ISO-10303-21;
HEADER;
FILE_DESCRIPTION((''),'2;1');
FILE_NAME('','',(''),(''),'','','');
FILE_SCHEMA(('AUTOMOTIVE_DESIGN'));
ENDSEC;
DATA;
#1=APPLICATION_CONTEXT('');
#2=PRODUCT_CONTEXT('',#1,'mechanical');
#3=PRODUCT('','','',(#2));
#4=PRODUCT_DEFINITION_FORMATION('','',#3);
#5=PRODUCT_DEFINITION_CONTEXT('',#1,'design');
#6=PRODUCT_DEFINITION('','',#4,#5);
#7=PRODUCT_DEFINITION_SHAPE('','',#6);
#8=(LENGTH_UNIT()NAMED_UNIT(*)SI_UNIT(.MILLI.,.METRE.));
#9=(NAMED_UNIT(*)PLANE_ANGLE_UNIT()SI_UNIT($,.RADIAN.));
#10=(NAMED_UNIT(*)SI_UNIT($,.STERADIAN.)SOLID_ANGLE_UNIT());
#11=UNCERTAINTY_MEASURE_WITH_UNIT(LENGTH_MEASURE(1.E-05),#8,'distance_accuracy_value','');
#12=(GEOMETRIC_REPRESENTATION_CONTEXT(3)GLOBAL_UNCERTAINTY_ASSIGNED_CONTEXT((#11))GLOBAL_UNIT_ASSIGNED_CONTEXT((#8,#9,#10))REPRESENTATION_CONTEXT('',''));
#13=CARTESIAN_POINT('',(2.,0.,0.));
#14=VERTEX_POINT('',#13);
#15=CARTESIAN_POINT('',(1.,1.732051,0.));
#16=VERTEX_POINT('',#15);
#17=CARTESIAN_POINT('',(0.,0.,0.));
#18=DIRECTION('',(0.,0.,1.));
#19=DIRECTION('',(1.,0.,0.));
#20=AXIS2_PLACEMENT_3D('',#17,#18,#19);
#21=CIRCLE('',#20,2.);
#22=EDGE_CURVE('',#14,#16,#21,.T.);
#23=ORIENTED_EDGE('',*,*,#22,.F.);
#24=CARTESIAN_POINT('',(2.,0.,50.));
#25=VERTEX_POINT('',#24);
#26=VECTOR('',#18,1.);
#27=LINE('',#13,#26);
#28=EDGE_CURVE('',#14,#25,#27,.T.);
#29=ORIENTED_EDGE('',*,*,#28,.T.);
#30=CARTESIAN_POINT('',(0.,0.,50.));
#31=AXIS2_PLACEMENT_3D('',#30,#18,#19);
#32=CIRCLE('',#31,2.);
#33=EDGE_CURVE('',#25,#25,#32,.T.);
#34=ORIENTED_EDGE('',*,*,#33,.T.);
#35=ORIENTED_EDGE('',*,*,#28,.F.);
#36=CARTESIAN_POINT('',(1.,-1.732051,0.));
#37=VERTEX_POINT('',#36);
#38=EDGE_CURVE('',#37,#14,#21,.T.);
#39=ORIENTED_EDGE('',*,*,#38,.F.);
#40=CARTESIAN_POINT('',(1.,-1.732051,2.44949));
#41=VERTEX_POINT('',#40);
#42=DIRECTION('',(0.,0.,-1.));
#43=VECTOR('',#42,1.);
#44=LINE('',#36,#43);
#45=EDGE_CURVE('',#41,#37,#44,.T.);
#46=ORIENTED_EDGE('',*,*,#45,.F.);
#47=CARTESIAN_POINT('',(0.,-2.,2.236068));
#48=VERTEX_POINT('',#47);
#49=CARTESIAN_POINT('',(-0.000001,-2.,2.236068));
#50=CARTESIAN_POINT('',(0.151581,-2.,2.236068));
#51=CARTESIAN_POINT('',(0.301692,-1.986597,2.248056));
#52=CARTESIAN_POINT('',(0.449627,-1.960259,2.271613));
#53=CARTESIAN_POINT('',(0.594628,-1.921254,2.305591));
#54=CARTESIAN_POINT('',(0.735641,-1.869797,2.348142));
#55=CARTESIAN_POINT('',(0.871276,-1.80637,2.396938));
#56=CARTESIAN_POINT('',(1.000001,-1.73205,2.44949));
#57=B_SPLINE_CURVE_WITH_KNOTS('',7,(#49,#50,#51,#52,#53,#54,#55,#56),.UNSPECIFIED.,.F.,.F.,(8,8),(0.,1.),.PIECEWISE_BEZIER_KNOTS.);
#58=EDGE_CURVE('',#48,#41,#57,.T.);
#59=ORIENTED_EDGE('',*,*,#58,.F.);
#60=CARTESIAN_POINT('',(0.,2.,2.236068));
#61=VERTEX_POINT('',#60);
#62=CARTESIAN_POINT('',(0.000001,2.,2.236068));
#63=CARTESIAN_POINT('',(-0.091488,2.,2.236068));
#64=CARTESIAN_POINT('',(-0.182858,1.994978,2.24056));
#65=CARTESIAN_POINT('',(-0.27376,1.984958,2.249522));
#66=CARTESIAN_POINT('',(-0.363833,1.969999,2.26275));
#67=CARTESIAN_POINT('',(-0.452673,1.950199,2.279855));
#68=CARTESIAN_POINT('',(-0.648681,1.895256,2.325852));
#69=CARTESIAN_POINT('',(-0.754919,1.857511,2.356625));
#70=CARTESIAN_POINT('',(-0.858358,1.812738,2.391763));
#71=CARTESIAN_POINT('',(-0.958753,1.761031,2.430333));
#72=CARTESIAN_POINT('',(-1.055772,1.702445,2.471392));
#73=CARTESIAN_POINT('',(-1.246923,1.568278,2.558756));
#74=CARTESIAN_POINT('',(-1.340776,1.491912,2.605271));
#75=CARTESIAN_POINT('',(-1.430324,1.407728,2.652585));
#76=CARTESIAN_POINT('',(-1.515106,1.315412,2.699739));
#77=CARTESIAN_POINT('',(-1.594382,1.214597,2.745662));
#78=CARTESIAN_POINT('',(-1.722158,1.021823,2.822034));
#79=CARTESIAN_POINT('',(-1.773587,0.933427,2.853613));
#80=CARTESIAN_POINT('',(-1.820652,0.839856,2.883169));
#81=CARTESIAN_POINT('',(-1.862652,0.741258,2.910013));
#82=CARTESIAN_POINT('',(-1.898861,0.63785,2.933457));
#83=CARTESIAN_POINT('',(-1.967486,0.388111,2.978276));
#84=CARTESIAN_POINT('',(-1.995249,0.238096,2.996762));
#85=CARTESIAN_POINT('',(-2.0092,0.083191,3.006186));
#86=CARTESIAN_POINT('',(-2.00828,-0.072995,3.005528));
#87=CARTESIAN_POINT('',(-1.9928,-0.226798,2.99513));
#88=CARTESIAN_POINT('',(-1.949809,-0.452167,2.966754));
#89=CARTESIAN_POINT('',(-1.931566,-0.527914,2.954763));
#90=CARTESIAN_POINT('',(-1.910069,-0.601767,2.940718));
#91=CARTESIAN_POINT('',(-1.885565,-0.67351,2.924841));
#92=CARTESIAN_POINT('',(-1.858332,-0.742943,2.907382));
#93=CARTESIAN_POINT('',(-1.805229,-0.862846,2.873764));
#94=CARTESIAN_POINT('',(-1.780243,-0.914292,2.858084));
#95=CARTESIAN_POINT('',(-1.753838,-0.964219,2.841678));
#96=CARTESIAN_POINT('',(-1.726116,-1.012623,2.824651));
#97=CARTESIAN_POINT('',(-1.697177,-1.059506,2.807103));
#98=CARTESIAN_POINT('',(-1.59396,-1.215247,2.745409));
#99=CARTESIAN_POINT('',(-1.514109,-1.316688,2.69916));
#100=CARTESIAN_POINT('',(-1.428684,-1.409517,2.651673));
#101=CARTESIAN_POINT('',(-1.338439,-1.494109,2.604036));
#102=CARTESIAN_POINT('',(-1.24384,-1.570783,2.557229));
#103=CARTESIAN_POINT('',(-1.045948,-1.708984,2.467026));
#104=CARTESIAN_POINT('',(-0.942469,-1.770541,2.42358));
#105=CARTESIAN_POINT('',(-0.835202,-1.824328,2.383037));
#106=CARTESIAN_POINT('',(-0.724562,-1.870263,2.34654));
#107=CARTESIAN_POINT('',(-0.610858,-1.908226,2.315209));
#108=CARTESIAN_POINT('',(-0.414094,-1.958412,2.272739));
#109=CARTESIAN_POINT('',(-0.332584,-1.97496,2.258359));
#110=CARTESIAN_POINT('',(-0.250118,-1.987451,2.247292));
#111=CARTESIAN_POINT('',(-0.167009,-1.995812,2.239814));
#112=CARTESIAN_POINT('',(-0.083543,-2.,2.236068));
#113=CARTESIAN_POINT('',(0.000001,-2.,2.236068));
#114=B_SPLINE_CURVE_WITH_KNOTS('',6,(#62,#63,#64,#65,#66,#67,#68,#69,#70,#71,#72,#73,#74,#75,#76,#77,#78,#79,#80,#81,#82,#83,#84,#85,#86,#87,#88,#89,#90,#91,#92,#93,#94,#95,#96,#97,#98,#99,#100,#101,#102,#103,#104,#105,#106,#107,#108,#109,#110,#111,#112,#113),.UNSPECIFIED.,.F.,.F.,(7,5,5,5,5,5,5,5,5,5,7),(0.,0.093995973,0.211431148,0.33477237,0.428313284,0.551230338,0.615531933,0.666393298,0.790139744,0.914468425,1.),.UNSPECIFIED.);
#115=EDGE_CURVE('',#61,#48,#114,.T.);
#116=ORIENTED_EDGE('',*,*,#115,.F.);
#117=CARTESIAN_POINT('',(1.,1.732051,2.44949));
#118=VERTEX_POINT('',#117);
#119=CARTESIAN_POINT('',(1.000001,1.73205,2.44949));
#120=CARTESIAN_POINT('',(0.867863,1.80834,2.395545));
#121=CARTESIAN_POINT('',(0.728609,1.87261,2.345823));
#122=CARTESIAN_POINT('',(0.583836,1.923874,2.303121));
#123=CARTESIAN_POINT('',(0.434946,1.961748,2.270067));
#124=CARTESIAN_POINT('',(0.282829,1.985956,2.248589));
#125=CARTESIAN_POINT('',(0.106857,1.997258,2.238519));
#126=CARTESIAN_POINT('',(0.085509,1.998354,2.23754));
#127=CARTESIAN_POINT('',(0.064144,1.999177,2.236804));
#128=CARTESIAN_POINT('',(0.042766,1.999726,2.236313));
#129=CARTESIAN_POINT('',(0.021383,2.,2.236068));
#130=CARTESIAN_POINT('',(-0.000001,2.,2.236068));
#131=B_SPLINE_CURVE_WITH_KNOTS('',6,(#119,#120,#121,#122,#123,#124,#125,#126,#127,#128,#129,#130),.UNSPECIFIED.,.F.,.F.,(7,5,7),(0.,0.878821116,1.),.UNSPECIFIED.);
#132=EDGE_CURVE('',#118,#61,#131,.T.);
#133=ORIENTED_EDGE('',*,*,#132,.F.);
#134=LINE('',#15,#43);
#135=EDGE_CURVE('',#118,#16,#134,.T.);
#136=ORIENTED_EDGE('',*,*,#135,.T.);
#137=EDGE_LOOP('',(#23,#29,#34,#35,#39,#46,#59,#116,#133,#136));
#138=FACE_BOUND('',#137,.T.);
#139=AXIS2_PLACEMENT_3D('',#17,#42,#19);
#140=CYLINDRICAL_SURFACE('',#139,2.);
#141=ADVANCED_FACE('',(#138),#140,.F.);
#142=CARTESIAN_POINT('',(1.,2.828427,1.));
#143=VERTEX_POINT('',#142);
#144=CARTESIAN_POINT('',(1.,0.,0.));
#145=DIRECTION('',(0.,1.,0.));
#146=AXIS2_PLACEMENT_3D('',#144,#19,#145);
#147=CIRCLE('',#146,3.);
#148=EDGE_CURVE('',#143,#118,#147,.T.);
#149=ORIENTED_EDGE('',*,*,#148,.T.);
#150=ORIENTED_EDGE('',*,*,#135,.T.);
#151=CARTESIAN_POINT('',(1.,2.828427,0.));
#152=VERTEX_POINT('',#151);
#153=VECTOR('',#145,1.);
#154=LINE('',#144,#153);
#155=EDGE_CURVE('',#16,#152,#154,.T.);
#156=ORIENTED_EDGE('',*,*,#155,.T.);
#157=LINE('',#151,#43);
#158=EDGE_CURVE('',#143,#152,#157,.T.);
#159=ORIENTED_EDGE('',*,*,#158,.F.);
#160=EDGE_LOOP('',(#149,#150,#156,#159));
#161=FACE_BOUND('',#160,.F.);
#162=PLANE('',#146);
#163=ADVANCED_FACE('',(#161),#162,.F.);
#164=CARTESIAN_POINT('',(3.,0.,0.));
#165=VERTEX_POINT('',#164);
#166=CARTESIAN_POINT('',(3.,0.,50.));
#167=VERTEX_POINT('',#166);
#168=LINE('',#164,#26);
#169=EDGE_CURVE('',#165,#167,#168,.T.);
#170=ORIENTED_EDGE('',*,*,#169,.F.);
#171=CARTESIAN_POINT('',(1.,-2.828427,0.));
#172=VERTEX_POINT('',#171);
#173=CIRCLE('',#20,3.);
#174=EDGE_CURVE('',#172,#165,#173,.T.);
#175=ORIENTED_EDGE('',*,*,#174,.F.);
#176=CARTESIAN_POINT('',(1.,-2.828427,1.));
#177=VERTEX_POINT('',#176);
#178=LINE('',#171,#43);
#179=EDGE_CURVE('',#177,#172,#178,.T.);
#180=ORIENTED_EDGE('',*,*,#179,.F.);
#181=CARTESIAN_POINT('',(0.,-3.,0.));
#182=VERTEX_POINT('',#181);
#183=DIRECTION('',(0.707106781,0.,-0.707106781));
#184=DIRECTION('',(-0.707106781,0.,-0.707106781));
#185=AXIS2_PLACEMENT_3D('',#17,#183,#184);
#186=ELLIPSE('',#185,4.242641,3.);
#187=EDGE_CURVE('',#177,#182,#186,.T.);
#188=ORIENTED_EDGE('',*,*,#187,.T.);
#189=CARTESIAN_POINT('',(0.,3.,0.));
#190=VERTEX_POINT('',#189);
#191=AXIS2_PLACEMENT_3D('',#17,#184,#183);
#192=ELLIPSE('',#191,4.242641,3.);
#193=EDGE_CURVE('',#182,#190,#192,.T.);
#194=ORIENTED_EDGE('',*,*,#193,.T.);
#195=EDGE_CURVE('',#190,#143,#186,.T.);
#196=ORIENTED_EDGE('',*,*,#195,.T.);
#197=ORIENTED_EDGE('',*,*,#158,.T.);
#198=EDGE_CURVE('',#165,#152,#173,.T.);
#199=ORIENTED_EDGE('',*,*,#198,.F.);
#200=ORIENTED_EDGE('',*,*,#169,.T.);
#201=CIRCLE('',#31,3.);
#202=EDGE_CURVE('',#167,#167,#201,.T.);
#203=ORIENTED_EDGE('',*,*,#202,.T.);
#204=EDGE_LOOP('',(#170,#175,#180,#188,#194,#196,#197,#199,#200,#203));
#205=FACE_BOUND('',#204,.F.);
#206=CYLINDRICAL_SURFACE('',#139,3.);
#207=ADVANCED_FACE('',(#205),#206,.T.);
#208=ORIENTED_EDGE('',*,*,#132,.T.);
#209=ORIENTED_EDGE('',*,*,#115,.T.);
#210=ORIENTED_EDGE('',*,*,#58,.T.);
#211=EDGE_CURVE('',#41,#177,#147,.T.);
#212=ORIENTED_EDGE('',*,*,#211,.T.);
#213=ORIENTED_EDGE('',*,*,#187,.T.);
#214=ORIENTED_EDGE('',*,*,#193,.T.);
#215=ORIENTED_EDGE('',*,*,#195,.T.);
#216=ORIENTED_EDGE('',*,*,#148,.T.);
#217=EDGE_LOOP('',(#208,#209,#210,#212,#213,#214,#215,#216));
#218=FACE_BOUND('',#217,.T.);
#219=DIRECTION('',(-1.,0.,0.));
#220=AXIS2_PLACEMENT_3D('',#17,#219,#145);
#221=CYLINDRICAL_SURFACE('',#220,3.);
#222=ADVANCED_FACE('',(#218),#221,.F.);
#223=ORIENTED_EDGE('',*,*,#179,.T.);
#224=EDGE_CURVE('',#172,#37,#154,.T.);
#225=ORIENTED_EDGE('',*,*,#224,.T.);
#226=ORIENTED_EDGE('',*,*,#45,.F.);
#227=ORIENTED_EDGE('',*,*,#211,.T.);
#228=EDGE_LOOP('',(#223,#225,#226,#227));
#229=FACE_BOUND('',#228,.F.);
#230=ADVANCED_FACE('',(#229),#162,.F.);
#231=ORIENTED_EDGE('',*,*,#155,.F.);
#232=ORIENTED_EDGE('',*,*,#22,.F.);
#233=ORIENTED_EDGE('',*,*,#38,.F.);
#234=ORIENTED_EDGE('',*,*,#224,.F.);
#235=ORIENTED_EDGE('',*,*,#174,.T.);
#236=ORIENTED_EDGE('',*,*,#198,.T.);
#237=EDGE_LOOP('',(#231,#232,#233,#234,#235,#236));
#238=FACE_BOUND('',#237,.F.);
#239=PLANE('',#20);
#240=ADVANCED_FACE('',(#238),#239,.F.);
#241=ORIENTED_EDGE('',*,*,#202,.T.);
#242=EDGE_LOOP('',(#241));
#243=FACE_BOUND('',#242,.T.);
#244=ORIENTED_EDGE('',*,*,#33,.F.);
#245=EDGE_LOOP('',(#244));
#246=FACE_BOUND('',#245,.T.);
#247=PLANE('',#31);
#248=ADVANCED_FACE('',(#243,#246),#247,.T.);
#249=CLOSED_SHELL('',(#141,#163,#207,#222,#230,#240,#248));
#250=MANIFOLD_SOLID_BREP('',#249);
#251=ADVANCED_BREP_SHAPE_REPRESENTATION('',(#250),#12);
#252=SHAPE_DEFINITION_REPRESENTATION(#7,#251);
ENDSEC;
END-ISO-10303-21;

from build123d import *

# Parameters (mm, degrees)
F0_R          = 3
F0_R_2        = 2
F1_DEPTH      = 50
F2_R          = 3
F3_DEPTH      = 25
F3_DEPTH_BACK = 1


with BuildPart() as f1:
    # F0 (on Top) → F1 (new body)
    with BuildSketch(Plane.XY):
        Circle(F0_R)
        Circle(F0_R_2, mode=Mode.SUBTRACT)
    extrude(amount=F1_DEPTH)

    # F2 (on Right) → F3 (cut, two sides)
    with BuildSketch(Plane.YZ) as f3_sk:
        Circle(F2_R)
    extrude(amount=-F3_DEPTH, mode=Mode.SUBTRACT)
    extrude(f3_sk.sketch, amount=F3_DEPTH_BACK, mode=Mode.SUBTRACT)


solid = f1.part
